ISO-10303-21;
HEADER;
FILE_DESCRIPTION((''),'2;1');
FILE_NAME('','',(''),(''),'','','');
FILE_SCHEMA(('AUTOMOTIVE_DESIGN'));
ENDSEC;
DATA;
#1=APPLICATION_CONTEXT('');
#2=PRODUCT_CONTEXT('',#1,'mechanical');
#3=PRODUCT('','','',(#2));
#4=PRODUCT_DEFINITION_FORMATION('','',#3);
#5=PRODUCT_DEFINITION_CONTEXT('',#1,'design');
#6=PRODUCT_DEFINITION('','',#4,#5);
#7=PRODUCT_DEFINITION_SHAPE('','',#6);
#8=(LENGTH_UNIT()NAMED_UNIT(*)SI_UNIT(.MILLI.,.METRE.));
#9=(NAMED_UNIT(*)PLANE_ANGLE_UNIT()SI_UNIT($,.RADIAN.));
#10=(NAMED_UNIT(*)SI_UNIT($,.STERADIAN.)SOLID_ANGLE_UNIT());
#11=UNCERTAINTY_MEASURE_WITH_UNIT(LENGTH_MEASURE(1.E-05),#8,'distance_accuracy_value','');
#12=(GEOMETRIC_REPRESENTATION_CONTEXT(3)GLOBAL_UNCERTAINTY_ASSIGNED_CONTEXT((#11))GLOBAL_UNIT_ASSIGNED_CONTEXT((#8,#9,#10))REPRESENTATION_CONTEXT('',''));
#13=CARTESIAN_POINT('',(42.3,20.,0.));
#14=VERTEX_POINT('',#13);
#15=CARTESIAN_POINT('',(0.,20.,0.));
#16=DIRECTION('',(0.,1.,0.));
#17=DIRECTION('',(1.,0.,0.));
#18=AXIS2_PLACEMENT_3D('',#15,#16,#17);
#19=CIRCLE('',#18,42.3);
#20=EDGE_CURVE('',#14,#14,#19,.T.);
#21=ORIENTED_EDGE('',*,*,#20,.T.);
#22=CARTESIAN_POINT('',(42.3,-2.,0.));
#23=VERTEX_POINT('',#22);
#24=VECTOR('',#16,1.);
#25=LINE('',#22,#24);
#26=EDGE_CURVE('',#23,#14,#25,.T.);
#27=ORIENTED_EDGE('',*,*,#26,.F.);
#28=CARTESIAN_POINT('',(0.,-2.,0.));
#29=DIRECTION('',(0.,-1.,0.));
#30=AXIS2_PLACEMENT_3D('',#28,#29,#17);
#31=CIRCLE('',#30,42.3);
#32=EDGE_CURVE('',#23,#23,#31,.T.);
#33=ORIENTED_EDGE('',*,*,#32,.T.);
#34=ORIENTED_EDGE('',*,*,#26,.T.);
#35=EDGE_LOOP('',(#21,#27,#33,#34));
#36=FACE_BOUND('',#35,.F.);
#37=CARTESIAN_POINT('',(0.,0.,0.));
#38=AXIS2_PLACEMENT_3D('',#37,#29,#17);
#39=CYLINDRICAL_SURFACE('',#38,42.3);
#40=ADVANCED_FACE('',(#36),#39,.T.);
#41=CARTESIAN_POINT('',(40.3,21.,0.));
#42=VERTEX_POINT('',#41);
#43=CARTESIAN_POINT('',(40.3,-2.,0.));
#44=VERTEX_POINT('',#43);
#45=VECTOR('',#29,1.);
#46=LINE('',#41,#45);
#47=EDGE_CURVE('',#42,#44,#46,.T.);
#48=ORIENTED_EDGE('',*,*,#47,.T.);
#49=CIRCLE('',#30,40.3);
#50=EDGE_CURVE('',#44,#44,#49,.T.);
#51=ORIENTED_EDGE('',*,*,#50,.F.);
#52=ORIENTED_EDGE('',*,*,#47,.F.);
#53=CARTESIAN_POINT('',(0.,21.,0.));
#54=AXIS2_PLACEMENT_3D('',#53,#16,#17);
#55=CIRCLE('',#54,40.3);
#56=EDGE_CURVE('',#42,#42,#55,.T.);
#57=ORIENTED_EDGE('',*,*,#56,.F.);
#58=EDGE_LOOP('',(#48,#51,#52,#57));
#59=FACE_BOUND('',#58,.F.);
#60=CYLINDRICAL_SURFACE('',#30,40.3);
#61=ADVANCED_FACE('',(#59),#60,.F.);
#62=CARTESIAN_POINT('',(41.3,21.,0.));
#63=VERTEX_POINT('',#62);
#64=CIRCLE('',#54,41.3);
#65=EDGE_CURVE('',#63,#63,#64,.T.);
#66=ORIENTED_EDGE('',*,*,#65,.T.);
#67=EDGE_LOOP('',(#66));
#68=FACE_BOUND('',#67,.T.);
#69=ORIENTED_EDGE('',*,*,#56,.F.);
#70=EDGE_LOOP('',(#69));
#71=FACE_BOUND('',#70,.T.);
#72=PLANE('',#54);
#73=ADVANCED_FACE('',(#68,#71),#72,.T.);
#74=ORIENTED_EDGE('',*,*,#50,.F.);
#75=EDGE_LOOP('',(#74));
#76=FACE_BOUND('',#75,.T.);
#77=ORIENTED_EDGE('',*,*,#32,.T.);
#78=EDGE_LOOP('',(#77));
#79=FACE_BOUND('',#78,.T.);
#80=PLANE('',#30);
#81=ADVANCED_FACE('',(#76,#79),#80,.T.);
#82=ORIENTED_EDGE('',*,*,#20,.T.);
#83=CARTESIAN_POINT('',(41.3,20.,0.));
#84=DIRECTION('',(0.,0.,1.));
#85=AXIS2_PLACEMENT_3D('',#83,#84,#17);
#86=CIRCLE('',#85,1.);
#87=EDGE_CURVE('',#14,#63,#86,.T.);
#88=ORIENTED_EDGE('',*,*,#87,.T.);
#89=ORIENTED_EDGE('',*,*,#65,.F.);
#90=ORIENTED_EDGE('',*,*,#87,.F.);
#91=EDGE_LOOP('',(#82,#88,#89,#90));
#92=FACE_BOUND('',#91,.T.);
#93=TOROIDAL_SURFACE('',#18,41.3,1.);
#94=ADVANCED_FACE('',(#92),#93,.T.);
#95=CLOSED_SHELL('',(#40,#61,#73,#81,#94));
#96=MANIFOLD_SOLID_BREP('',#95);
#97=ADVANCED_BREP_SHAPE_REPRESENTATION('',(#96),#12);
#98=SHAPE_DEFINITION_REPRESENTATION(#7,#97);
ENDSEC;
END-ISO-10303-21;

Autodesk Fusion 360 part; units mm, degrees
sketch "Sketch3" plane through (0, 0, 0) normal (0, 1, 0) x (1, 0, 0)
  circle A0 centre (0, 0) radius 40.3
  circle A1 centre (0, 0) radius 42.3
  line L0 (30, -20) -> (-30, -20)
  line L1 (-30, -20) -> (-30, 20)
  line L2 (-30, 20) -> (30, 20)
  line L3 (30, 20) -> (30, -20)
  line L4 (30, -20) -> (-30, 20) construction
  line L5 (-30, -20) -> (30, 20) construction
  dimension "d13" = 80.6
  dimension "d14" = 2
  dimension "d34" = 60
  dimension "d35" = 40
extrude "Extrude3" add sketch "Sketch3" along normal blind 21 contours A1
sketch "Sketch4" plane through (0, 0, 0) normal (0, 0, 1) x (1, 0, 0)
  line L0 (-49.5, 21) -> (-47.3, 21)
  line L1 (49.5, 21) -> (47.3, 21)
  line L2 (-47.3, 21) -> (-47.3, 25.1334)
  line L3 (47.3, 21) -> (47.3, 25.1334)
  line L4 (47.3, 27) -> (47.3, 25)
  arc A0 (47.3, 25) -> (-47.3, 25) centre (0, -131.3064) ccw
  line L5 (47.3, 21) -> (45.3, 21)
  line L6 (45.3, 21) -> (45.3, 25.5913)
  line L7 (-47.3, 21) -> (-45.3, 21)
  line L8 (-45.3, 21) -> (-45.3, 25.5913)
  arc A1 (0, 32) -> (-47.3, 25) centre (0, -131.3064) ccw
  line L9 (0, 32) -> (0, 34)
  arc A2 (45.4965, 27.5344) -> (-45.4965, 27.5344) centre (0, -129.3064) ccw
  arc A3 (-45.4965, 27.5344) -> (-47.3, 25.1334) centre (-44.8, 25.1334) ccw
  arc A4 (47.3, 25.1334) -> (45.4965, 27.5344) centre (44.8, 25.1334) ccw
  line L10 (0, 21) -> (-2.5, 21)
  line L11 (-2.5, 21) -> (-2.5, 31.9809)
  line L12 (0, 21) -> (0, 32)
  line L13 (-42, 21) -> (-39.8, 21)
  line L14 (42, 21) -> (39.8, 21)
  line L15 (39.8, 21) -> (39.8, 27.0759)
  line L16 (-39.8, 21) -> (-39.8, 27.0759)
  line L17 (-39.8, 21) -> (-37.8, 21)
  line L18 (-37.8, 21) -> (-37.8, 27.5651)
  line L19 (37.8, 21) -> (37.8, 27.5651)
  line L20 (37.8, 21) -> (39.8, 21)
  line L21 (-39.8, 27.0759) -> (-39.8, 29.0759)
  line L22 (39.8, 27.0759) -> (39.8, 29.0759)
  line L23 (-39.8, 27.0759) -> (0, 27.0759)
  line L24 (0, 27.0759) -> (0, 34)
  point P0 (-47.3, 27)
  dimension "d17" = 2.2
  dimension "d18" = 2.2
  dimension "d19" = 6
  dimension "d20" = 6
  dimension "d22" = 2
  dimension "d23" = 2
  dimension "d24" = 2
  dimension "d25" = 2
  dimension "d26" = 2
  dimension "d27" = 2.5
  dimension "d28" = 2.5
  dimension "d36" = 2.2
  dimension "d37" = 2.2
  dimension "d38" = 2
  dimension "d39" = 2
sketch "Sketch5" plane through (0, 0, 0) normal (0, -1, 0) x (1, 0, 0)
  circle A0 centre (0, 0) radius 40.3
  circle A1 centre (0, 0) radius 42.3
extrude "Extrude4" add sketch "Sketch5" along normal blind 2 contours A0 | A1
fillet "Fillet2" radius 1 1 edges at (-39.4374, 21, 15.2963)
sketch "Sketch6" plane through (0, -2, 0) normal (0, -1, 0) x (1, 0, 0)
  line L0 (20, 27.5) -> (-20, 27.5)
  line L1 (-20, 27.5) -> (-20, -27.5)
  line L2 (-20, -27.5) -> (20, -27.5)
  line L3 (20, -27.5) -> (20, 27.5)
  line L4 (20, 27.5) -> (-20, -27.5) construction
  line L5 (-20, 27.5) -> (20, -27.5) construction
  circle A0 centre (0, 0) radius 42.3
  dimension "d41" = 55
  dimension "d42" = 40
sketch "Sketch7" plane through (0, -2, 0) normal (0, -1, 0) x (1, 0, 0)
  circle A0 centre (0, 0) radius 42.3
sketch "Sketch8" plane through (0, -2, 0) normal (0, -1, 0) x (1, 0, 0)
  circle A0 centre (0, 0) radius 42.3
sketch "Sketch9" plane through (0, 0, 0) normal (0, 0, 1) x (1, 0, 0)
sketch "Sketch10" plane through (0, -2, 0) normal (0, -1, 0) x (1, 0, 0)
  circle A0 centre (0, 0) radius 42.3
  circle A1 centre (0, 0) radius 40.3
  dimension "d43" = -2
extrude "Extrude5" cut sketch "Sketch10" against normal blind 3 contours A1
sketch "Sketch11" plane through (0, 21, 0) normal (0, 1, 0) x (-1, 0, 0)
  circle A0 centre (0, 0) radius 40.3
  circle A1 centre (0, 0) radius 41.3
  line L0 (42, 0) -> (40.3, 0)
  line L1 (40.3, 0) -> (39.3, 0)
  circle A2 centre (0, 0) radius 39.3
  dimension "d46" = 1
extrude "Extrude6" [suppressed]
fillet "Fillet3" [suppressed]
equation "d17 = 2 mm + 0.2 mm"
equation "d18 = 2 mm + 0.2 mm"
equation "d36 = 2 mm + 0.2 mm"
equation "d37 = 2 mm + 0.2 mm"
